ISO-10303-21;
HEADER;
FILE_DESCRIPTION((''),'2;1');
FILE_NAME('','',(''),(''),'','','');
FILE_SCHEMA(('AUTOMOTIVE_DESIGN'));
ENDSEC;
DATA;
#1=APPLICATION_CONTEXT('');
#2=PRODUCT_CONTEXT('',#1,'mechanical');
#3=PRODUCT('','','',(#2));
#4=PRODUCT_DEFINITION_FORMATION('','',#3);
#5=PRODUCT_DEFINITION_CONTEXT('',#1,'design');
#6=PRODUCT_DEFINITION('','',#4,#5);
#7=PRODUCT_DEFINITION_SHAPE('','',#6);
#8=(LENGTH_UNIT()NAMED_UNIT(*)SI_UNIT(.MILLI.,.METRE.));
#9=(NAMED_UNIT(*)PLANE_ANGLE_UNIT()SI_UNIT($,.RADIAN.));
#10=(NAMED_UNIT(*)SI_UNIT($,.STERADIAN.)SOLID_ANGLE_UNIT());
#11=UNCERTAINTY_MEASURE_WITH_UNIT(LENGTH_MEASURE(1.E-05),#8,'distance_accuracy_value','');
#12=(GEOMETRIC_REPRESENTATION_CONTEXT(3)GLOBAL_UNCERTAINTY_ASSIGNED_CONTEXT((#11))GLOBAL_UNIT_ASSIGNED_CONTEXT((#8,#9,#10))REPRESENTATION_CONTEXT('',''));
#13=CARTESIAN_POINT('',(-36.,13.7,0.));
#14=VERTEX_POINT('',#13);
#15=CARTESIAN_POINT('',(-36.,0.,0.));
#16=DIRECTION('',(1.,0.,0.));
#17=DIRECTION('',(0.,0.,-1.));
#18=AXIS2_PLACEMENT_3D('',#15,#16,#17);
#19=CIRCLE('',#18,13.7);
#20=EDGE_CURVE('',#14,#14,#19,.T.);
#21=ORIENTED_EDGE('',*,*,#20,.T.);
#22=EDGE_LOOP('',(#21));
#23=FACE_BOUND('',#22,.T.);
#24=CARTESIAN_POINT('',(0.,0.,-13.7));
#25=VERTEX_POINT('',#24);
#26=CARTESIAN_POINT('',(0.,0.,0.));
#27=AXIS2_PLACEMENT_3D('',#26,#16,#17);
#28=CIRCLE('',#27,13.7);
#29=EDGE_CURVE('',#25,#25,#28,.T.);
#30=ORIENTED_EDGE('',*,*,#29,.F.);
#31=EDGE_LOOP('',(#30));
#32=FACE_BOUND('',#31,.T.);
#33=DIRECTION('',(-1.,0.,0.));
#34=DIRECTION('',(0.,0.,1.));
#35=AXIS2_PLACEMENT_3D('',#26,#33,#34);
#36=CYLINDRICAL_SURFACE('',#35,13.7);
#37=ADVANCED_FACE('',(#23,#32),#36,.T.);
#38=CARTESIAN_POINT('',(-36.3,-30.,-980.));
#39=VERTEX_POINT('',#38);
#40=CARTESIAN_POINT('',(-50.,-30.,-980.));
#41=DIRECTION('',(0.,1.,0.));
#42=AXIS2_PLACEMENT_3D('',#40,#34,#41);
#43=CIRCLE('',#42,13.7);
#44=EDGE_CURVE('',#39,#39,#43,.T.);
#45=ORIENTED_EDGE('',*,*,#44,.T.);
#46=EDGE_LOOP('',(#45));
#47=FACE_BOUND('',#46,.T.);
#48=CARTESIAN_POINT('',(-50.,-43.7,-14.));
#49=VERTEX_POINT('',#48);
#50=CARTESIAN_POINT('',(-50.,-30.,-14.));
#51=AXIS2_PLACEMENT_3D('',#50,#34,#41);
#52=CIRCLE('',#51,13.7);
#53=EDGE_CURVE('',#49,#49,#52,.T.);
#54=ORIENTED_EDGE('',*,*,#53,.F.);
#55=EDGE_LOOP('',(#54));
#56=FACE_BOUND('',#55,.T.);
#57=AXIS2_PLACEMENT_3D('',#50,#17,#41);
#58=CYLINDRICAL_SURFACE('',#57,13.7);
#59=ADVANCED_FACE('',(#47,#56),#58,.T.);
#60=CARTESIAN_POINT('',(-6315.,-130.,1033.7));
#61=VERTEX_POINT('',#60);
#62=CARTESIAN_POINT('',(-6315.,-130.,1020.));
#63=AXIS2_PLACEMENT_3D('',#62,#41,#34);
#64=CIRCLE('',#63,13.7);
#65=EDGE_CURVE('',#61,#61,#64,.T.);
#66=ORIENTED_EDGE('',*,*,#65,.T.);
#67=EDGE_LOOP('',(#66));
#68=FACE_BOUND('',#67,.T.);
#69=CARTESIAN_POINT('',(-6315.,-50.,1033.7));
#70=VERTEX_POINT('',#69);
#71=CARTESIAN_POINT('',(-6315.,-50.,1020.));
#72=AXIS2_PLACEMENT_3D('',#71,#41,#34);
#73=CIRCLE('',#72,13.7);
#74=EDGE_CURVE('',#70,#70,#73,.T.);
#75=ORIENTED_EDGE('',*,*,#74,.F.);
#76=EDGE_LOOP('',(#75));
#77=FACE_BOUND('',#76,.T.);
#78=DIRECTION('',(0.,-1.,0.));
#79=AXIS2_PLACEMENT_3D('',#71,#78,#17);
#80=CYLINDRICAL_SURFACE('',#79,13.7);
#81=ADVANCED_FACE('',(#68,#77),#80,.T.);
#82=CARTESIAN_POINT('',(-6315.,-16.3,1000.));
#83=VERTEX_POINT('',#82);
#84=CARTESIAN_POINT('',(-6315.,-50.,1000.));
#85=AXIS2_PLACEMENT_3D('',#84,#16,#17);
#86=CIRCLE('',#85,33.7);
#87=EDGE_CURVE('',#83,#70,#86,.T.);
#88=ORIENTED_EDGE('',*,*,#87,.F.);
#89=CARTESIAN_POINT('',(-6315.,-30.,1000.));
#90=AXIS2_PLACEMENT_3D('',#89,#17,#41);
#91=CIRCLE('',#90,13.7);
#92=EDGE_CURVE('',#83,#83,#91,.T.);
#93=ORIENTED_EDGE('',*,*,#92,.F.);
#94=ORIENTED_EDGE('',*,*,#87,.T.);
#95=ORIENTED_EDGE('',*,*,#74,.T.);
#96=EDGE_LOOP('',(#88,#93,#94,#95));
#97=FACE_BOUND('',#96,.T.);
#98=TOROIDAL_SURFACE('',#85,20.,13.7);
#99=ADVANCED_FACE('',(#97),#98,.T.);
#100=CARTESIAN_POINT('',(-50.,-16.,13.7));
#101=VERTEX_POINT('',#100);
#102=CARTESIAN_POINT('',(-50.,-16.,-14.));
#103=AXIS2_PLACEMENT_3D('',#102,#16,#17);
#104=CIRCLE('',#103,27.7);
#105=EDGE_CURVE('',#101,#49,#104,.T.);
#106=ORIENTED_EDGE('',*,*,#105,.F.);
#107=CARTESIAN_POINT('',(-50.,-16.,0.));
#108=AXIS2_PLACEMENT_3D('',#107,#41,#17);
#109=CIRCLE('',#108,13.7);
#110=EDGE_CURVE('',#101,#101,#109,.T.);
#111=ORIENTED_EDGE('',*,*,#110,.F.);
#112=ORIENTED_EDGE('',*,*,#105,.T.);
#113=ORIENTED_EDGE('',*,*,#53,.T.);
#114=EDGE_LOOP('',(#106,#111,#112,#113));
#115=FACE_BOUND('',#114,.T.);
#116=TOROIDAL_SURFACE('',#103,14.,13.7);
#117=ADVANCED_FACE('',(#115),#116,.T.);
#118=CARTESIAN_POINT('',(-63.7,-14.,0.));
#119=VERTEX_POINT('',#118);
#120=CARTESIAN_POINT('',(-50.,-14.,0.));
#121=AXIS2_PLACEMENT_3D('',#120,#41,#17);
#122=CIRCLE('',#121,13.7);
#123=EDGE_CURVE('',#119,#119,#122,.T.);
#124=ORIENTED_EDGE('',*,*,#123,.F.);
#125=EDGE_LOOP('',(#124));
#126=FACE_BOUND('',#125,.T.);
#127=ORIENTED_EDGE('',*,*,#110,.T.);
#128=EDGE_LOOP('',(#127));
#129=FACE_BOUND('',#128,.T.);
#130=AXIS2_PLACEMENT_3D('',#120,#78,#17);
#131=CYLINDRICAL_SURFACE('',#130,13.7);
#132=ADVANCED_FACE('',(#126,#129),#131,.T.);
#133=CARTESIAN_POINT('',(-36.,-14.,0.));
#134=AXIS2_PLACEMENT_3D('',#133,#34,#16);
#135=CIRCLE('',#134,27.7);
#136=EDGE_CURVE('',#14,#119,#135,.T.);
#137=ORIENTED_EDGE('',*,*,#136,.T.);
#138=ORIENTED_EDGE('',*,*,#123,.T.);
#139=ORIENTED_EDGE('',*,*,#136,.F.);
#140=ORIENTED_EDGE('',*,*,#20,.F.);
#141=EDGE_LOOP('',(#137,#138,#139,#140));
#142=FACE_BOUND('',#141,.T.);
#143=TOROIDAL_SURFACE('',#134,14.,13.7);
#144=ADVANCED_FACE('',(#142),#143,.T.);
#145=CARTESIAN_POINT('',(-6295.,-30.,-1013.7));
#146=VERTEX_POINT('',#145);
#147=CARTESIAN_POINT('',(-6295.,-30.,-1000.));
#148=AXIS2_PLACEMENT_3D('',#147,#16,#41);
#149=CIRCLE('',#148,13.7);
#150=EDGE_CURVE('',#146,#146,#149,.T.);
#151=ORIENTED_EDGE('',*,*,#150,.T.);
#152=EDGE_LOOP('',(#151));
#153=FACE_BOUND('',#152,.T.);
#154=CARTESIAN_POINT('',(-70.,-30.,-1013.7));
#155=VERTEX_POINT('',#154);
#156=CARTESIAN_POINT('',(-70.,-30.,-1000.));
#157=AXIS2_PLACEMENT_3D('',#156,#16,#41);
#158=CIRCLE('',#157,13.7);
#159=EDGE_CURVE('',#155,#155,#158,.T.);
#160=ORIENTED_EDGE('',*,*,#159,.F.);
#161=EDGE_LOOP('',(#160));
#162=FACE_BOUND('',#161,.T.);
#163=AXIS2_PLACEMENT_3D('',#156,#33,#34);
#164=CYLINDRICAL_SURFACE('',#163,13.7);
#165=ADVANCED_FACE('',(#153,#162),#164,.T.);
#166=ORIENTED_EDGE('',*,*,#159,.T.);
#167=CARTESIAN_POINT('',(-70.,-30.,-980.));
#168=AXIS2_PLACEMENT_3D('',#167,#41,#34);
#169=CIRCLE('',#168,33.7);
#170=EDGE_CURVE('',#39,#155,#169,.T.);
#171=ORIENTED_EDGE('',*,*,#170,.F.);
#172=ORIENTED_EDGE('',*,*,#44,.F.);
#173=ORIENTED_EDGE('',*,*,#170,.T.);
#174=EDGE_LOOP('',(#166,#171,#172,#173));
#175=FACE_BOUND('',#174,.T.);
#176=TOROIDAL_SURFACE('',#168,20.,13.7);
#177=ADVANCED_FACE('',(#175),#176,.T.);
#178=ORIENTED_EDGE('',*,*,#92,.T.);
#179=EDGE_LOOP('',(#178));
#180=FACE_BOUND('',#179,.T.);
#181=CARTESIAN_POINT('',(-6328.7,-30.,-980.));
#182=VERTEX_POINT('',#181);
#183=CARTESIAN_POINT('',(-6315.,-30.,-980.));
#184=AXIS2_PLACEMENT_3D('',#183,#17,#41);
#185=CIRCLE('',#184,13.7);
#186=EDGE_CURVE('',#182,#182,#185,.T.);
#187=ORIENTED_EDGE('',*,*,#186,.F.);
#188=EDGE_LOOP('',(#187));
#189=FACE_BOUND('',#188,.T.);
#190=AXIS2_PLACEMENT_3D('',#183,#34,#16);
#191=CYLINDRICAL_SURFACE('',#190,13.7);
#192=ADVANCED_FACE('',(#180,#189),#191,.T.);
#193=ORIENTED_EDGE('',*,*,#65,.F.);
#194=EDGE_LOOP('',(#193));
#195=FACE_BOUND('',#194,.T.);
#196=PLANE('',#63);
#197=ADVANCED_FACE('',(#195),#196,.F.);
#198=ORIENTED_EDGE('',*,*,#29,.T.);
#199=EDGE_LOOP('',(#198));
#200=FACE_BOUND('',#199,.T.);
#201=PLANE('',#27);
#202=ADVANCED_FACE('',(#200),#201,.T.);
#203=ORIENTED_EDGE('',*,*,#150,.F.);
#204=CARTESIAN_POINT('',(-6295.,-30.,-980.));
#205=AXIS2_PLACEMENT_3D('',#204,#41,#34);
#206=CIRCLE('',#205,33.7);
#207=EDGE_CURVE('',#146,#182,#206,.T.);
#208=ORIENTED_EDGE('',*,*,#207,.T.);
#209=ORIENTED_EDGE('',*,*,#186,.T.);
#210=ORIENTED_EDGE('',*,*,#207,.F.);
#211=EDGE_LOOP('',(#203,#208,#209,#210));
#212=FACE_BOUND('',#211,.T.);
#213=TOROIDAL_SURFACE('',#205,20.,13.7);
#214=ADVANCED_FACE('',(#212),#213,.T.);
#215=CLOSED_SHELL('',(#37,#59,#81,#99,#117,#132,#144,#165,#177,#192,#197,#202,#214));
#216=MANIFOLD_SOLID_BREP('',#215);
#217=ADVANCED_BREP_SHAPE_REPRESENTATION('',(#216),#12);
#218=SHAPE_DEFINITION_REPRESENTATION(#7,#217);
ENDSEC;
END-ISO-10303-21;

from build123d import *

# Parameters (mm, degrees)
CROQUIS1_R = 13.7


with BuildPart() as part:
    # Barrer1: sweep along a curve in space
    with BuildLine() as barrer1_path:
        Line((0, 0, 0), (-36, 0, 0))
        ThreePointArc((-36, 0, 0), (-45.899494937, -4.100505063, 0), (-50, -14, 0))
        Line((-50, -14, 0), (-50, -16, 0))
        ThreePointArc((-50, -16, 0), (-50, -25.899494937, -4.100505063), (-50, -30, -14))
        Line((-50, -30, -14), (-50, -30, -980))
        ThreePointArc((-50, -30, -980), (-55.857864376, -30, -994.142135624), (-70, -30, -1000))
        Line((-70, -30, -1000), (-6295, -30, -1000))
        ThreePointArc((-6295, -30, -1000), (-6309.142135624, -30, -994.142135624), (-6315, -30, -980))
        Line((-6315, -30, -980), (-6315, -30, 1000))
        ThreePointArc((-6315, -30, 1000), (-6315, -35.857864376, 1014.142135624), (-6315, -50, 1020))
        Line((-6315, -50, 1020), (-6315, -130, 1020))
    # Croquis1 → Barrer1 (sweep)
    with BuildSketch(Plane(origin=(0, 0, 0), x_dir=(0, 0, -1), z_dir=(1, 0, 0))):
        Circle(CROQUIS1_R)
    sweep(path=barrer1_path.line)


solid = part.part
